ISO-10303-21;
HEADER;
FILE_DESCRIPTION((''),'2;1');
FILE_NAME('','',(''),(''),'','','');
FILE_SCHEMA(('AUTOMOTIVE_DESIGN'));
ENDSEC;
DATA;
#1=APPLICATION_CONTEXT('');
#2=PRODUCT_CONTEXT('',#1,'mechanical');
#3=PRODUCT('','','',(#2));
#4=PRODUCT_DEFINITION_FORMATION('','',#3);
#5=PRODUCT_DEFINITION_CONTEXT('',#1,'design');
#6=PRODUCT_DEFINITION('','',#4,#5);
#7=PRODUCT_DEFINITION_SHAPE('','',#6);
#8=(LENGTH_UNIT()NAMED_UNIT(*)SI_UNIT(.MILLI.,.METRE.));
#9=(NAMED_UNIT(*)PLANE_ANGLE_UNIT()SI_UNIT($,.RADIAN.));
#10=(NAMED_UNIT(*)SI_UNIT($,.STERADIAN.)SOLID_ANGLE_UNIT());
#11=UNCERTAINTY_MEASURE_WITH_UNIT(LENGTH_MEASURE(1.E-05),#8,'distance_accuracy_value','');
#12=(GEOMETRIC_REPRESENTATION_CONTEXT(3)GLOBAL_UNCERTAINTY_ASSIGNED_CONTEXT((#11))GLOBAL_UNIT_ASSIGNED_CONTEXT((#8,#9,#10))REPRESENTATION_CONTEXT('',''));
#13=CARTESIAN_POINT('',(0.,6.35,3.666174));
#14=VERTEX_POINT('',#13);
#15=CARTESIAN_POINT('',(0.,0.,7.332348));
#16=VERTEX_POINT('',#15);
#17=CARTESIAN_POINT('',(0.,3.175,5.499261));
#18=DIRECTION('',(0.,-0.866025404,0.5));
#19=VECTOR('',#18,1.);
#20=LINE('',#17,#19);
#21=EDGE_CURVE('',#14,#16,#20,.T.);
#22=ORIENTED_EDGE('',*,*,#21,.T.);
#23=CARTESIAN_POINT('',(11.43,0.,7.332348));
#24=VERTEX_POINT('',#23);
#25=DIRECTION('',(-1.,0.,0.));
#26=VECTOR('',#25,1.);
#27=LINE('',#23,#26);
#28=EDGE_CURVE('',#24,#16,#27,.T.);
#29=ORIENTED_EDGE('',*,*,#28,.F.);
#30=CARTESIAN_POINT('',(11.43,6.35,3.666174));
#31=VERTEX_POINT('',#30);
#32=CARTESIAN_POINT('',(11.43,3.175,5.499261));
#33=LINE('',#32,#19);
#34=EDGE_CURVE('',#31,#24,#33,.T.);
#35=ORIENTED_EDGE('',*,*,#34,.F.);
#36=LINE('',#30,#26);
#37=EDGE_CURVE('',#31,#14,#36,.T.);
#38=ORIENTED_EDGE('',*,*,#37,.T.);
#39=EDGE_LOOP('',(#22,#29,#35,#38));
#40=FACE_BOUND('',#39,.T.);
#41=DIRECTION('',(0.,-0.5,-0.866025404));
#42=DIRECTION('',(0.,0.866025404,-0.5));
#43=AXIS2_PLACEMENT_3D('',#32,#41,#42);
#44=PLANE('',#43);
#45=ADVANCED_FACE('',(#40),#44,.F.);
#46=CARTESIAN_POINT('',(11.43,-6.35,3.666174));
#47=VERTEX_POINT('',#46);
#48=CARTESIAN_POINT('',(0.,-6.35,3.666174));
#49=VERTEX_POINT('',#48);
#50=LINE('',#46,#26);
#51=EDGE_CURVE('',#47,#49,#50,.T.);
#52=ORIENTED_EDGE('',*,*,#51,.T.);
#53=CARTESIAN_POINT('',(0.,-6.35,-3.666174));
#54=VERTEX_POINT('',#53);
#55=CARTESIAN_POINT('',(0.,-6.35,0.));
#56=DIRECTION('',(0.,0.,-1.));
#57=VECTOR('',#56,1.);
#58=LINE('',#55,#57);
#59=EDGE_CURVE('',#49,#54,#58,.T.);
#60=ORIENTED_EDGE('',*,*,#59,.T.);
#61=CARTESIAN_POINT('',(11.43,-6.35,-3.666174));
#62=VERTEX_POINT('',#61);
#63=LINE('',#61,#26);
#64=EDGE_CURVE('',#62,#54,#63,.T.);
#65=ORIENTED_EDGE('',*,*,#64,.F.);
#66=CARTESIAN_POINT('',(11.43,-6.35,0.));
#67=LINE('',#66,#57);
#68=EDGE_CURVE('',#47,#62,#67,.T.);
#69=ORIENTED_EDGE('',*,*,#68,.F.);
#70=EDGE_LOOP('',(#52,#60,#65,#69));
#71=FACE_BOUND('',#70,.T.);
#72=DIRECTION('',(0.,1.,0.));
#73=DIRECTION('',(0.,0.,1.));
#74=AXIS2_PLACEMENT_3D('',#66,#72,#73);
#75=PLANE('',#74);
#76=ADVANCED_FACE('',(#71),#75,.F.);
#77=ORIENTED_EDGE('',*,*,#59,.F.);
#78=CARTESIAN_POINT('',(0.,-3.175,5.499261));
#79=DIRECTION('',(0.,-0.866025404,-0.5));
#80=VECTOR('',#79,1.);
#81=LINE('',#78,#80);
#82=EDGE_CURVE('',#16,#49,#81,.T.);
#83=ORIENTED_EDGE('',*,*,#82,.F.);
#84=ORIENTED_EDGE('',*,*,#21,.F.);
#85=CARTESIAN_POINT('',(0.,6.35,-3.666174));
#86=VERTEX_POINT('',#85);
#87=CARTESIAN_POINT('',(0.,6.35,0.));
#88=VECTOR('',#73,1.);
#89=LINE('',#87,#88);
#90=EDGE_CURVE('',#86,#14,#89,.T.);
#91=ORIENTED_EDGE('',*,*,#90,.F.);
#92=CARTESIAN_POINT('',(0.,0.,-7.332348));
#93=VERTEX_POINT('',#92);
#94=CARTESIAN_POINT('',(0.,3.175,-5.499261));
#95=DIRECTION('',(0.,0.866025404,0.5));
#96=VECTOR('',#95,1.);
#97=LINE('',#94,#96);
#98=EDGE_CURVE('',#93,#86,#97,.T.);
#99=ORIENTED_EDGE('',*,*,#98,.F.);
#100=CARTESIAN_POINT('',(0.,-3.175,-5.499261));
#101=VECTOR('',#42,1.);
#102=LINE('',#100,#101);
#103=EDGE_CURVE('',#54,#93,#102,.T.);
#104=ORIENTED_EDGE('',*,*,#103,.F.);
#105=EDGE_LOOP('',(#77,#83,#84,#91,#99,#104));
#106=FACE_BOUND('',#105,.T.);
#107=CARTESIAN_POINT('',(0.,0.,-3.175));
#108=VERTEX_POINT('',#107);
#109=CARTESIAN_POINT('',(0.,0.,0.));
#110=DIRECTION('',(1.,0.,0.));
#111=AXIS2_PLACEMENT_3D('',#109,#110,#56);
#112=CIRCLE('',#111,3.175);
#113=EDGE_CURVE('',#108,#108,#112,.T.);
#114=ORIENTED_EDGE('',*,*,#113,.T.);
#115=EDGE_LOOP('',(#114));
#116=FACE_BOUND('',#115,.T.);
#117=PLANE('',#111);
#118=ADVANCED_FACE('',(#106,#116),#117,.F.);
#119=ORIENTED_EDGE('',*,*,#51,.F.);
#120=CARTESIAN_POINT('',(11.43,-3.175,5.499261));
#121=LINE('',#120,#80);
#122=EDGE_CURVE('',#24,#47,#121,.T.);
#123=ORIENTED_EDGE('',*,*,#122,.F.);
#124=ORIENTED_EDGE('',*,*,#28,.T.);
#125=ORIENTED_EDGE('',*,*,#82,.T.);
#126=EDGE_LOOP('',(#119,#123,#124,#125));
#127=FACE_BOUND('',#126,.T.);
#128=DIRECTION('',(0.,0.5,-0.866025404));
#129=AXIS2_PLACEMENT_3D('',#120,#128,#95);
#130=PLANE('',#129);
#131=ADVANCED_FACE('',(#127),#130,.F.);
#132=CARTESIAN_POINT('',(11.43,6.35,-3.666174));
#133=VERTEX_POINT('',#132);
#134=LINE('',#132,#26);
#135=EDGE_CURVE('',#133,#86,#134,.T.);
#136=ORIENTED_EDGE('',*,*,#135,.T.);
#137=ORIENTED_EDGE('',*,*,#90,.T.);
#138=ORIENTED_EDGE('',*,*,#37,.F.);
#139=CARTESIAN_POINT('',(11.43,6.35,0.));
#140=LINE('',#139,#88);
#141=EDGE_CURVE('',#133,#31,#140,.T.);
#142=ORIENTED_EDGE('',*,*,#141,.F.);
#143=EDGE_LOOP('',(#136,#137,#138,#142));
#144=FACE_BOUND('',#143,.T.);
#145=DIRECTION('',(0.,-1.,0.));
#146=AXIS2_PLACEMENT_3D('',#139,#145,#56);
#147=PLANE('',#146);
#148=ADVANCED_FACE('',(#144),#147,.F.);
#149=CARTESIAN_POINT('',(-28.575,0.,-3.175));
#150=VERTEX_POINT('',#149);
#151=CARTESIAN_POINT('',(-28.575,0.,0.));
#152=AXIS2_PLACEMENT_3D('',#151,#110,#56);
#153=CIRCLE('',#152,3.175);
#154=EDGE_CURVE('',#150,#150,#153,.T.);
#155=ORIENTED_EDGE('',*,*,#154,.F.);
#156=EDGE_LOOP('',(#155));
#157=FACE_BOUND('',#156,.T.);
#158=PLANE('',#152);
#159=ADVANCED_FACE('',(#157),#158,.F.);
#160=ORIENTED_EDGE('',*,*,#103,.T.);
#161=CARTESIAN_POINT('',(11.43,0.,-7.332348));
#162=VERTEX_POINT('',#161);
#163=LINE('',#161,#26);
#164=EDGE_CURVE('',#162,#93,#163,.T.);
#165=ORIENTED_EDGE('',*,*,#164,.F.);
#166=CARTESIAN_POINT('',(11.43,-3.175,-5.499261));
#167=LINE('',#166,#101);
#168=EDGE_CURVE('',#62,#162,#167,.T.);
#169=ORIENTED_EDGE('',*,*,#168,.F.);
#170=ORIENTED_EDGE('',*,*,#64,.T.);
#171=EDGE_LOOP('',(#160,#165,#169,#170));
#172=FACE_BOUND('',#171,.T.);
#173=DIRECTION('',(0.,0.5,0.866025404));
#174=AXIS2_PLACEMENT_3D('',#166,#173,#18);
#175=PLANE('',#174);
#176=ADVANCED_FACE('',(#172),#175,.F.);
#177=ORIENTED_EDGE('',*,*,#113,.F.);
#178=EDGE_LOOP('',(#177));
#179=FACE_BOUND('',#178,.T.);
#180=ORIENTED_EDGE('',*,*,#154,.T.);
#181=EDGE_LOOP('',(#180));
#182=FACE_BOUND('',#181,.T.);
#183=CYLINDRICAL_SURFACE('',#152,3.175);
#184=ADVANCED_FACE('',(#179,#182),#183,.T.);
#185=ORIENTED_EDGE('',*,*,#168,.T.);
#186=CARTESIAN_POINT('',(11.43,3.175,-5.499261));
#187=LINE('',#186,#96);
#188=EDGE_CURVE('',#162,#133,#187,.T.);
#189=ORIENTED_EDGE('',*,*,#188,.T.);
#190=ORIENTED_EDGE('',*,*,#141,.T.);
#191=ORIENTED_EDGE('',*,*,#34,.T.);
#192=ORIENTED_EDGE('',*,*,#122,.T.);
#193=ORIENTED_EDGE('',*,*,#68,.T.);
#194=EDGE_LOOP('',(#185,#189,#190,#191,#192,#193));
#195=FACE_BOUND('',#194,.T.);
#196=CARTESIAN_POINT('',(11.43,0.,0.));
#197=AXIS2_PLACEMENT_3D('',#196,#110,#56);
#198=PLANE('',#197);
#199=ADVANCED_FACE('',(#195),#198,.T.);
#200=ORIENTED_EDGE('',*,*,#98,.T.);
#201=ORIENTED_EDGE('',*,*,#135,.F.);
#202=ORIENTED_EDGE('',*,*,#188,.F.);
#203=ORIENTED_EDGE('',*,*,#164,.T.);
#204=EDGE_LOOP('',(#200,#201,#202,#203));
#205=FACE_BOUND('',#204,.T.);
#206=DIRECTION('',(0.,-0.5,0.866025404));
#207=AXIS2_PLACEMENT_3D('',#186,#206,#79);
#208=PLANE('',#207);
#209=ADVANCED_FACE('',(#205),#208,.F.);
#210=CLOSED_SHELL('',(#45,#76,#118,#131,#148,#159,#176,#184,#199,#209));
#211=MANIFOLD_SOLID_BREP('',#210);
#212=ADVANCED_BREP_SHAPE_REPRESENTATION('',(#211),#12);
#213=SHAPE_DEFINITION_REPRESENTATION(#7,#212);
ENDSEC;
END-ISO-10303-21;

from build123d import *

# Parameters (mm, degrees)
SKETCH1_R           = 3.175
BOSS_EXTRUDE1_DEPTH = 11.43
SKETCH1_3_R         = 3.175
BOSS_EXTRUDE2_DEPTH = 28.575


with BuildPart() as part:
    # Sketch1 → Boss-Extrude1 (new body)
    # profile 1 of 2: a face of its own
    with BuildSketch(Plane(origin=(0, 0, 0), x_dir=(0, 0, -1), z_dir=(1, 0, 0))):
        Polygon((3.666174209, -6.35), (7.332348419, 0), (3.666174209, 6.35), (-3.666174209, 6.35), (-7.332348419, 0), (-3.666174209, -6.35), align=None)
        Circle(SKETCH1_R, mode=Mode.SUBTRACT)
    # profile 2 of 2: a face of its own
    with BuildSketch(Plane(origin=(0, 0, 0), x_dir=(0, 0, -1), z_dir=(1, 0, 0))):
        Circle(SKETCH1_R)
    extrude(amount=BOSS_EXTRUDE1_DEPTH)

    # Sketch1<3> → Boss-Extrude2 (add)
    with BuildSketch(Plane(origin=(0, 0, 0), x_dir=(0, 0, -1), z_dir=(1, 0, 0))):
        Circle(SKETCH1_3_R)
    extrude(amount=-BOSS_EXTRUDE2_DEPTH)


solid = part.part
